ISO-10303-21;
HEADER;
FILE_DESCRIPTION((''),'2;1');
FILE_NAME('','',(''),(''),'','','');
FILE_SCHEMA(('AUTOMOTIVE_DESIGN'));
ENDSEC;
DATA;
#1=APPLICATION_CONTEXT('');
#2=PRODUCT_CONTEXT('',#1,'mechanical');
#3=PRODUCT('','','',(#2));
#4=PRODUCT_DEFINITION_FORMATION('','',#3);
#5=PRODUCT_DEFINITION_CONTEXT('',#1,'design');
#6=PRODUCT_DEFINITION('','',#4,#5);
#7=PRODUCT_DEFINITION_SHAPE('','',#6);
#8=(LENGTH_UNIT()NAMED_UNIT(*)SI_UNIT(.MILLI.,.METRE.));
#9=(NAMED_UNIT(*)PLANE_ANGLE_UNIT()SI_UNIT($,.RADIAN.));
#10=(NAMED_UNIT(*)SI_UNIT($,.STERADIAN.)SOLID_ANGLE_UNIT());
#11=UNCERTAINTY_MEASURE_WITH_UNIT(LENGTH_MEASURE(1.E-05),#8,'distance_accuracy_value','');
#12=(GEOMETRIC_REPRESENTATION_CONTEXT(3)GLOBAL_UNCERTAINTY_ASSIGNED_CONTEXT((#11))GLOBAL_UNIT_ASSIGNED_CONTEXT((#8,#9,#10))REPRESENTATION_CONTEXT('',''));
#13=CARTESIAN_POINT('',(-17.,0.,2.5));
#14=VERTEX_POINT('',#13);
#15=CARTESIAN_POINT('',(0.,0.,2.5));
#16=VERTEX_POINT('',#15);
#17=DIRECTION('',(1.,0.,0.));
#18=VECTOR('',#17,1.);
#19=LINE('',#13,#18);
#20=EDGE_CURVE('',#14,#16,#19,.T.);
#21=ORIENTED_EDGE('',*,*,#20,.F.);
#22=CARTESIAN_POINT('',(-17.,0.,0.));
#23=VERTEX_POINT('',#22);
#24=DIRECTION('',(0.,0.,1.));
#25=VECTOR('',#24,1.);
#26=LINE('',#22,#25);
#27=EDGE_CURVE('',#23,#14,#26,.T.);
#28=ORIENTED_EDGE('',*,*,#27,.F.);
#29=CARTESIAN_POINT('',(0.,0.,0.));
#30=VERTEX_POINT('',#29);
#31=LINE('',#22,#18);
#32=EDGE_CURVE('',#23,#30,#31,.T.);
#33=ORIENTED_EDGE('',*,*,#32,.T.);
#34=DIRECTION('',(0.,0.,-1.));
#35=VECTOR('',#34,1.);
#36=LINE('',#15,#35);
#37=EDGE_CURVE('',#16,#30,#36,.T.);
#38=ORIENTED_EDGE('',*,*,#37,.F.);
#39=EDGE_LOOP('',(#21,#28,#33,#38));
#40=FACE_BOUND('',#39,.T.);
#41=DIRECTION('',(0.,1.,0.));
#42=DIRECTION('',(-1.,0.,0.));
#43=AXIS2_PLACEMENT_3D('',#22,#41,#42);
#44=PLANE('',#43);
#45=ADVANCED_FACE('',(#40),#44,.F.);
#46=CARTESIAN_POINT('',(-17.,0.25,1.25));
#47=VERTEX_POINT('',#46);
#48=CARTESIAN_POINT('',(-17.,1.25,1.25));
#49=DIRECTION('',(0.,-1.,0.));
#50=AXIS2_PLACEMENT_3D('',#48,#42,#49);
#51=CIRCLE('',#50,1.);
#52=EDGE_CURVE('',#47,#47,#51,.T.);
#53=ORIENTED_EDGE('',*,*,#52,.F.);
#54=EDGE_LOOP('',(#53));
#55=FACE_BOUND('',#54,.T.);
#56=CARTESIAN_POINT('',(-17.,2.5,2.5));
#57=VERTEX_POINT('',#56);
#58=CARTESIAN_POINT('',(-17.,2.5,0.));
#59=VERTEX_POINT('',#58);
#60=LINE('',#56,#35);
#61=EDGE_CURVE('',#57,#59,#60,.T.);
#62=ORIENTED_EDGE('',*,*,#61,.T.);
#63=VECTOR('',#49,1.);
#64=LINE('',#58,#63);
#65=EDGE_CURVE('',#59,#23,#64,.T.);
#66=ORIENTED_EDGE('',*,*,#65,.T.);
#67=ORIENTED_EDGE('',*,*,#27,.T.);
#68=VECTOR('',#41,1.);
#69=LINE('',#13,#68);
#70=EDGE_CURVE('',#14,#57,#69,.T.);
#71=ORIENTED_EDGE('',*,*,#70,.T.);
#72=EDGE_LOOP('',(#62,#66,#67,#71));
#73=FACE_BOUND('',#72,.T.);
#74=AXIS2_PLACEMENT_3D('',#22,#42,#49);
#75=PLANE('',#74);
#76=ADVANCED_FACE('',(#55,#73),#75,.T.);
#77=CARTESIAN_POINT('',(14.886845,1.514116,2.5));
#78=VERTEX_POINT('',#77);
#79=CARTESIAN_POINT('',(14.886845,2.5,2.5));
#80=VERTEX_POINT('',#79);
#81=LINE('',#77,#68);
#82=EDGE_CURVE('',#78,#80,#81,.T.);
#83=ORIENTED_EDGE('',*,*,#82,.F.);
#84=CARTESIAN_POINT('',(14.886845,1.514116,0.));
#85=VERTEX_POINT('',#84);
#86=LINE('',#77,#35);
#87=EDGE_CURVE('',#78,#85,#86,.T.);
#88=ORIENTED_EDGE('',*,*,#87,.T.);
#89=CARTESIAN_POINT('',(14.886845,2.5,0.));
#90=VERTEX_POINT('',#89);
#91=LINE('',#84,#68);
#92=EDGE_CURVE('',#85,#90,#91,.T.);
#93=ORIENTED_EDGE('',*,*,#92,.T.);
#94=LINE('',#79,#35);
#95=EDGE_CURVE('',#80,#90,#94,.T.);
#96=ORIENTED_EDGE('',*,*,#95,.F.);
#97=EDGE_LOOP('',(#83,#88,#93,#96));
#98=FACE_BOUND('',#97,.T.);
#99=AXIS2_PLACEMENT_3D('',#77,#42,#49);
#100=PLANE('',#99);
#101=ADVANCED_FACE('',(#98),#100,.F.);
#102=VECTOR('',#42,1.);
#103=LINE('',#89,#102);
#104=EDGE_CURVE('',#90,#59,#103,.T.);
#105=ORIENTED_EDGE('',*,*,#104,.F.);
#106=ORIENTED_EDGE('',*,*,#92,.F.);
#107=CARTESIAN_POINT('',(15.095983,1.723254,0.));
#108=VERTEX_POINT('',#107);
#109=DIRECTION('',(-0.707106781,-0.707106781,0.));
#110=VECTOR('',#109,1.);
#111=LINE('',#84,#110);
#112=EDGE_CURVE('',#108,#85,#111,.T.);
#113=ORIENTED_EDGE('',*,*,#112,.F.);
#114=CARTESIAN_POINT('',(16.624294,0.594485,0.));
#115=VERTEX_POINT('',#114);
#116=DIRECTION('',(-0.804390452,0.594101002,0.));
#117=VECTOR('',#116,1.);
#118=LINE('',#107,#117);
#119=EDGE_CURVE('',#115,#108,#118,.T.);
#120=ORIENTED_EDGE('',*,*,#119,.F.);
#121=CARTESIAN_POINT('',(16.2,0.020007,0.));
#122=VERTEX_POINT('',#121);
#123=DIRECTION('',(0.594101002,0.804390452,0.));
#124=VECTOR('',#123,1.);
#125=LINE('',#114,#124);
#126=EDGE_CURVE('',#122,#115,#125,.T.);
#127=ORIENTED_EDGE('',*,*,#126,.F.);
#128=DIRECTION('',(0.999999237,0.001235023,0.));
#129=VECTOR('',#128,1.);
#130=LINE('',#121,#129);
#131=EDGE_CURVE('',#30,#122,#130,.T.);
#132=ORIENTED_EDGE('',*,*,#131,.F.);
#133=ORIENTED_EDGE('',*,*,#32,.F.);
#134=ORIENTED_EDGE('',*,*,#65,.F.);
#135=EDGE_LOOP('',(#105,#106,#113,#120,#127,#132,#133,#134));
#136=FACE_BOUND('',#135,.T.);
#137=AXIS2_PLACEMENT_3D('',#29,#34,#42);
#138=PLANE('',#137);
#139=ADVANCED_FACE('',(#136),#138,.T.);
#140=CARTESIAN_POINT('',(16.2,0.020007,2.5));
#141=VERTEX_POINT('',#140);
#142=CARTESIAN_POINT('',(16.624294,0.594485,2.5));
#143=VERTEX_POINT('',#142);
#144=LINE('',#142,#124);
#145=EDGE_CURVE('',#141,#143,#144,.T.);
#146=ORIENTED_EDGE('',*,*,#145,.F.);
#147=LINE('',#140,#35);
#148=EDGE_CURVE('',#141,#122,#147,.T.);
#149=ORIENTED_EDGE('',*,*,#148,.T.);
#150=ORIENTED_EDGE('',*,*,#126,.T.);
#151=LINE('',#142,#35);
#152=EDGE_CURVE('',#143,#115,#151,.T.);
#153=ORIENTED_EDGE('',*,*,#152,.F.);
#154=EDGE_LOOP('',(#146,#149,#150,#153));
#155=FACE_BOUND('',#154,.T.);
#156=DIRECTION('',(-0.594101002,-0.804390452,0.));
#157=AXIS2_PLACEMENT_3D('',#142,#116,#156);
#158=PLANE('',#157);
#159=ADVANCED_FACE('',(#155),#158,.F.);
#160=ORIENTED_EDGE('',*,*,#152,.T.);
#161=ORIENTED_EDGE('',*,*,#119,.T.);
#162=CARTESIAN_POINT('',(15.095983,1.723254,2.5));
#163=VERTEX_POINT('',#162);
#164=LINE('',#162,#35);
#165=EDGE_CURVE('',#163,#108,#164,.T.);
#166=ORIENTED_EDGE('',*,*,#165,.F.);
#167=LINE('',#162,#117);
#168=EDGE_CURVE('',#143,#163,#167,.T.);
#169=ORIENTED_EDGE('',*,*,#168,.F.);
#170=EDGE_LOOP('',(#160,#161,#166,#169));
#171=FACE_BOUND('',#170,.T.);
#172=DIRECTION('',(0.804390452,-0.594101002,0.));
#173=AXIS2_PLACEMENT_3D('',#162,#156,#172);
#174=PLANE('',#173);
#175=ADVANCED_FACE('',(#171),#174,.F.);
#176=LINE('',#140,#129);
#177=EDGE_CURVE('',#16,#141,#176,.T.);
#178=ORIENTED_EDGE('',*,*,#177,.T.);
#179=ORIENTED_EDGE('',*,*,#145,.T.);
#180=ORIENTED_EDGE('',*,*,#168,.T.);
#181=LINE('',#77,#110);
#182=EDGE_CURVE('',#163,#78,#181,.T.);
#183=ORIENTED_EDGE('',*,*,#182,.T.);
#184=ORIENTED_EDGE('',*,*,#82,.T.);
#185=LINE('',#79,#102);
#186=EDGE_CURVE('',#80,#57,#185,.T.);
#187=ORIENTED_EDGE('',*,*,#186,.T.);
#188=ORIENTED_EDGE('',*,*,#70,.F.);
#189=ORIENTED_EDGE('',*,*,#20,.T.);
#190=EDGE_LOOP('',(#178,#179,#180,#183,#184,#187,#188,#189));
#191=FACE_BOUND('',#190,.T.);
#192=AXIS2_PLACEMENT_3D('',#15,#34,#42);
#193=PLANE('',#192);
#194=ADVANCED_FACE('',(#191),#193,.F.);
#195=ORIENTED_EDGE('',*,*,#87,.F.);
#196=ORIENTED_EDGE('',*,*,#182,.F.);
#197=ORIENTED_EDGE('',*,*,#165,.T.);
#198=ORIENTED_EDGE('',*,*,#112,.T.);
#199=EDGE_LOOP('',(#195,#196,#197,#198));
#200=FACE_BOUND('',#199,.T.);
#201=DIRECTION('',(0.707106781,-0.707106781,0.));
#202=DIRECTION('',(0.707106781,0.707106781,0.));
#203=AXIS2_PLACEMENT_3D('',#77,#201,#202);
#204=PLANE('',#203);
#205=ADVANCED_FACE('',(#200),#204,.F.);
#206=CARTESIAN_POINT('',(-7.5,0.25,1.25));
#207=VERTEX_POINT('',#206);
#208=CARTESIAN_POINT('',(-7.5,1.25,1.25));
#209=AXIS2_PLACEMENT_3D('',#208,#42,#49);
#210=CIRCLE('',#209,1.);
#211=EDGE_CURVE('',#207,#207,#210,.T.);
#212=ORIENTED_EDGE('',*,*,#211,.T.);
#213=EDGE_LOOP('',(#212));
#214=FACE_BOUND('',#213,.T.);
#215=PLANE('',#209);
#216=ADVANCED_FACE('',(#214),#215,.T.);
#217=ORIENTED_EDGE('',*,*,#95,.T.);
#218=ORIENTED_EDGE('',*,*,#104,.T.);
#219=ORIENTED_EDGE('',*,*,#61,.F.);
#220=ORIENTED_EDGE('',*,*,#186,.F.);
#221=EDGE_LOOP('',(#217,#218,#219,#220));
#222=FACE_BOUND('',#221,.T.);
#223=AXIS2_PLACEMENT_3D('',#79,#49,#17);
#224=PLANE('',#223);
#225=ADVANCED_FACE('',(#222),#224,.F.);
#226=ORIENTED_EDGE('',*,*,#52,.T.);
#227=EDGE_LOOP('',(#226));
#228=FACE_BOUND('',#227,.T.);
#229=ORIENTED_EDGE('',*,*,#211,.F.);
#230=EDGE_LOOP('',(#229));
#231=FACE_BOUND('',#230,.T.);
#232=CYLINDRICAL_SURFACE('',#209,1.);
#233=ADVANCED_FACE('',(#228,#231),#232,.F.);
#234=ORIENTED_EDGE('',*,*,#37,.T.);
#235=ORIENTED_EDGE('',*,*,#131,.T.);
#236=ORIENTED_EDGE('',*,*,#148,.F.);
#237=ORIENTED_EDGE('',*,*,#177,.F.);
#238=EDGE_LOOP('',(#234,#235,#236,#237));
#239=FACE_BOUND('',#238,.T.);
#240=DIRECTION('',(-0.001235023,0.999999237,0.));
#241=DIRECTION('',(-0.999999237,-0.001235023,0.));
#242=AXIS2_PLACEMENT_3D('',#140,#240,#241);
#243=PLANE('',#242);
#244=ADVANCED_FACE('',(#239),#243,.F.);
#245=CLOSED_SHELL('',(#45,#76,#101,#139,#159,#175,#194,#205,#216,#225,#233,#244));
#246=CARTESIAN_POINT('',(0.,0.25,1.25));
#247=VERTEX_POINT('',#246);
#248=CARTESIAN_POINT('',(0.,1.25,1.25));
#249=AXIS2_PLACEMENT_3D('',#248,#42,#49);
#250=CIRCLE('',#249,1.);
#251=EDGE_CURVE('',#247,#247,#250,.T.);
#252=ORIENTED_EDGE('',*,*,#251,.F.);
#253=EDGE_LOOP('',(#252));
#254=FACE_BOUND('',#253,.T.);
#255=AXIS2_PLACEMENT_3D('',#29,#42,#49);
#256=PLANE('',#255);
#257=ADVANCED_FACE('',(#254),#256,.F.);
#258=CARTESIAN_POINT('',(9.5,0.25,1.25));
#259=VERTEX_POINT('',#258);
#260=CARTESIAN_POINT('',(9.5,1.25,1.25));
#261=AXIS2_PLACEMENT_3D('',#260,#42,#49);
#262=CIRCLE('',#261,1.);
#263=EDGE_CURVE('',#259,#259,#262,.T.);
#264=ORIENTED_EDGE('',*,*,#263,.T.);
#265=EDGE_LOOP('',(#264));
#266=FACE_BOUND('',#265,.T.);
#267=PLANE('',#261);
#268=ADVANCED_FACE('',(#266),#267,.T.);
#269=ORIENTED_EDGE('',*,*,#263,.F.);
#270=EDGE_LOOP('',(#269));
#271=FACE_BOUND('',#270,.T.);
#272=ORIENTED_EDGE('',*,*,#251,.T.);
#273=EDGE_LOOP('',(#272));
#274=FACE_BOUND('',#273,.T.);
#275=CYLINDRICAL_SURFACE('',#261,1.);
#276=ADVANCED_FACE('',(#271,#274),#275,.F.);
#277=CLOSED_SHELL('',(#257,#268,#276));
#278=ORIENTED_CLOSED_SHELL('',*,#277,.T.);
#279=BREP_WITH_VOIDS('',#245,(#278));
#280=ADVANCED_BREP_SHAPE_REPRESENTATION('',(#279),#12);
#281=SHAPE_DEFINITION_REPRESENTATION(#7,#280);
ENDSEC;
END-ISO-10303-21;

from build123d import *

# Parameters (mm, degrees)
BOSS_EXTRUDE1_DEPTH = 2.5
SKETCH3_R           = 1
CUT_EXTRUDE1_DEPTH  = 9.5
SKETCH4_W           = 2.5
SKETCH4_H           = 2.5
BOSS_EXTRUDE3_DEPTH = 17
SKETCH5_R           = 1
CUT_EXTRUDE2_DEPTH  = 9.5


with BuildPart() as part:
    # Sketch1 → Boss-Extrude1 (new body)
    with BuildSketch(Plane.XY):
        Polygon((0, 0), (0, 1.5), (0, 2.5), (14.886845494, 2.5), (14.886845494, 1.514116192), (15.095983031, 1.72325373), (16.624293577, 0.594484955), (16.2, 0.02000738), align=None)
    extrude(amount=BOSS_EXTRUDE1_DEPTH)

    # Sketch3 → Cut-Extrude1 (cut)
    with BuildSketch(Plane.ZY):
        with Locations(Location((1.25, 1.25, 0), (0, 0, 270))):
            Circle(SKETCH3_R)
    extrude(amount=-CUT_EXTRUDE1_DEPTH, mode=Mode.SUBTRACT)

    # Sketch4 → Boss-Extrude3 (add)
    with BuildSketch(Plane.ZY):
        with Locations((1.25, 1.25)):
            Rectangle(SKETCH4_W, SKETCH4_H)
    extrude(amount=BOSS_EXTRUDE3_DEPTH)

    # Sketch5 → Cut-Extrude2 (cut)
    with BuildSketch(Plane.ZY.offset(17)):
        with Locations(Location((1.25, 1.25, 0), (0, 0, 270))):
            Circle(SKETCH5_R)
    extrude(amount=-CUT_EXTRUDE2_DEPTH, mode=Mode.SUBTRACT)


solid = part.part
